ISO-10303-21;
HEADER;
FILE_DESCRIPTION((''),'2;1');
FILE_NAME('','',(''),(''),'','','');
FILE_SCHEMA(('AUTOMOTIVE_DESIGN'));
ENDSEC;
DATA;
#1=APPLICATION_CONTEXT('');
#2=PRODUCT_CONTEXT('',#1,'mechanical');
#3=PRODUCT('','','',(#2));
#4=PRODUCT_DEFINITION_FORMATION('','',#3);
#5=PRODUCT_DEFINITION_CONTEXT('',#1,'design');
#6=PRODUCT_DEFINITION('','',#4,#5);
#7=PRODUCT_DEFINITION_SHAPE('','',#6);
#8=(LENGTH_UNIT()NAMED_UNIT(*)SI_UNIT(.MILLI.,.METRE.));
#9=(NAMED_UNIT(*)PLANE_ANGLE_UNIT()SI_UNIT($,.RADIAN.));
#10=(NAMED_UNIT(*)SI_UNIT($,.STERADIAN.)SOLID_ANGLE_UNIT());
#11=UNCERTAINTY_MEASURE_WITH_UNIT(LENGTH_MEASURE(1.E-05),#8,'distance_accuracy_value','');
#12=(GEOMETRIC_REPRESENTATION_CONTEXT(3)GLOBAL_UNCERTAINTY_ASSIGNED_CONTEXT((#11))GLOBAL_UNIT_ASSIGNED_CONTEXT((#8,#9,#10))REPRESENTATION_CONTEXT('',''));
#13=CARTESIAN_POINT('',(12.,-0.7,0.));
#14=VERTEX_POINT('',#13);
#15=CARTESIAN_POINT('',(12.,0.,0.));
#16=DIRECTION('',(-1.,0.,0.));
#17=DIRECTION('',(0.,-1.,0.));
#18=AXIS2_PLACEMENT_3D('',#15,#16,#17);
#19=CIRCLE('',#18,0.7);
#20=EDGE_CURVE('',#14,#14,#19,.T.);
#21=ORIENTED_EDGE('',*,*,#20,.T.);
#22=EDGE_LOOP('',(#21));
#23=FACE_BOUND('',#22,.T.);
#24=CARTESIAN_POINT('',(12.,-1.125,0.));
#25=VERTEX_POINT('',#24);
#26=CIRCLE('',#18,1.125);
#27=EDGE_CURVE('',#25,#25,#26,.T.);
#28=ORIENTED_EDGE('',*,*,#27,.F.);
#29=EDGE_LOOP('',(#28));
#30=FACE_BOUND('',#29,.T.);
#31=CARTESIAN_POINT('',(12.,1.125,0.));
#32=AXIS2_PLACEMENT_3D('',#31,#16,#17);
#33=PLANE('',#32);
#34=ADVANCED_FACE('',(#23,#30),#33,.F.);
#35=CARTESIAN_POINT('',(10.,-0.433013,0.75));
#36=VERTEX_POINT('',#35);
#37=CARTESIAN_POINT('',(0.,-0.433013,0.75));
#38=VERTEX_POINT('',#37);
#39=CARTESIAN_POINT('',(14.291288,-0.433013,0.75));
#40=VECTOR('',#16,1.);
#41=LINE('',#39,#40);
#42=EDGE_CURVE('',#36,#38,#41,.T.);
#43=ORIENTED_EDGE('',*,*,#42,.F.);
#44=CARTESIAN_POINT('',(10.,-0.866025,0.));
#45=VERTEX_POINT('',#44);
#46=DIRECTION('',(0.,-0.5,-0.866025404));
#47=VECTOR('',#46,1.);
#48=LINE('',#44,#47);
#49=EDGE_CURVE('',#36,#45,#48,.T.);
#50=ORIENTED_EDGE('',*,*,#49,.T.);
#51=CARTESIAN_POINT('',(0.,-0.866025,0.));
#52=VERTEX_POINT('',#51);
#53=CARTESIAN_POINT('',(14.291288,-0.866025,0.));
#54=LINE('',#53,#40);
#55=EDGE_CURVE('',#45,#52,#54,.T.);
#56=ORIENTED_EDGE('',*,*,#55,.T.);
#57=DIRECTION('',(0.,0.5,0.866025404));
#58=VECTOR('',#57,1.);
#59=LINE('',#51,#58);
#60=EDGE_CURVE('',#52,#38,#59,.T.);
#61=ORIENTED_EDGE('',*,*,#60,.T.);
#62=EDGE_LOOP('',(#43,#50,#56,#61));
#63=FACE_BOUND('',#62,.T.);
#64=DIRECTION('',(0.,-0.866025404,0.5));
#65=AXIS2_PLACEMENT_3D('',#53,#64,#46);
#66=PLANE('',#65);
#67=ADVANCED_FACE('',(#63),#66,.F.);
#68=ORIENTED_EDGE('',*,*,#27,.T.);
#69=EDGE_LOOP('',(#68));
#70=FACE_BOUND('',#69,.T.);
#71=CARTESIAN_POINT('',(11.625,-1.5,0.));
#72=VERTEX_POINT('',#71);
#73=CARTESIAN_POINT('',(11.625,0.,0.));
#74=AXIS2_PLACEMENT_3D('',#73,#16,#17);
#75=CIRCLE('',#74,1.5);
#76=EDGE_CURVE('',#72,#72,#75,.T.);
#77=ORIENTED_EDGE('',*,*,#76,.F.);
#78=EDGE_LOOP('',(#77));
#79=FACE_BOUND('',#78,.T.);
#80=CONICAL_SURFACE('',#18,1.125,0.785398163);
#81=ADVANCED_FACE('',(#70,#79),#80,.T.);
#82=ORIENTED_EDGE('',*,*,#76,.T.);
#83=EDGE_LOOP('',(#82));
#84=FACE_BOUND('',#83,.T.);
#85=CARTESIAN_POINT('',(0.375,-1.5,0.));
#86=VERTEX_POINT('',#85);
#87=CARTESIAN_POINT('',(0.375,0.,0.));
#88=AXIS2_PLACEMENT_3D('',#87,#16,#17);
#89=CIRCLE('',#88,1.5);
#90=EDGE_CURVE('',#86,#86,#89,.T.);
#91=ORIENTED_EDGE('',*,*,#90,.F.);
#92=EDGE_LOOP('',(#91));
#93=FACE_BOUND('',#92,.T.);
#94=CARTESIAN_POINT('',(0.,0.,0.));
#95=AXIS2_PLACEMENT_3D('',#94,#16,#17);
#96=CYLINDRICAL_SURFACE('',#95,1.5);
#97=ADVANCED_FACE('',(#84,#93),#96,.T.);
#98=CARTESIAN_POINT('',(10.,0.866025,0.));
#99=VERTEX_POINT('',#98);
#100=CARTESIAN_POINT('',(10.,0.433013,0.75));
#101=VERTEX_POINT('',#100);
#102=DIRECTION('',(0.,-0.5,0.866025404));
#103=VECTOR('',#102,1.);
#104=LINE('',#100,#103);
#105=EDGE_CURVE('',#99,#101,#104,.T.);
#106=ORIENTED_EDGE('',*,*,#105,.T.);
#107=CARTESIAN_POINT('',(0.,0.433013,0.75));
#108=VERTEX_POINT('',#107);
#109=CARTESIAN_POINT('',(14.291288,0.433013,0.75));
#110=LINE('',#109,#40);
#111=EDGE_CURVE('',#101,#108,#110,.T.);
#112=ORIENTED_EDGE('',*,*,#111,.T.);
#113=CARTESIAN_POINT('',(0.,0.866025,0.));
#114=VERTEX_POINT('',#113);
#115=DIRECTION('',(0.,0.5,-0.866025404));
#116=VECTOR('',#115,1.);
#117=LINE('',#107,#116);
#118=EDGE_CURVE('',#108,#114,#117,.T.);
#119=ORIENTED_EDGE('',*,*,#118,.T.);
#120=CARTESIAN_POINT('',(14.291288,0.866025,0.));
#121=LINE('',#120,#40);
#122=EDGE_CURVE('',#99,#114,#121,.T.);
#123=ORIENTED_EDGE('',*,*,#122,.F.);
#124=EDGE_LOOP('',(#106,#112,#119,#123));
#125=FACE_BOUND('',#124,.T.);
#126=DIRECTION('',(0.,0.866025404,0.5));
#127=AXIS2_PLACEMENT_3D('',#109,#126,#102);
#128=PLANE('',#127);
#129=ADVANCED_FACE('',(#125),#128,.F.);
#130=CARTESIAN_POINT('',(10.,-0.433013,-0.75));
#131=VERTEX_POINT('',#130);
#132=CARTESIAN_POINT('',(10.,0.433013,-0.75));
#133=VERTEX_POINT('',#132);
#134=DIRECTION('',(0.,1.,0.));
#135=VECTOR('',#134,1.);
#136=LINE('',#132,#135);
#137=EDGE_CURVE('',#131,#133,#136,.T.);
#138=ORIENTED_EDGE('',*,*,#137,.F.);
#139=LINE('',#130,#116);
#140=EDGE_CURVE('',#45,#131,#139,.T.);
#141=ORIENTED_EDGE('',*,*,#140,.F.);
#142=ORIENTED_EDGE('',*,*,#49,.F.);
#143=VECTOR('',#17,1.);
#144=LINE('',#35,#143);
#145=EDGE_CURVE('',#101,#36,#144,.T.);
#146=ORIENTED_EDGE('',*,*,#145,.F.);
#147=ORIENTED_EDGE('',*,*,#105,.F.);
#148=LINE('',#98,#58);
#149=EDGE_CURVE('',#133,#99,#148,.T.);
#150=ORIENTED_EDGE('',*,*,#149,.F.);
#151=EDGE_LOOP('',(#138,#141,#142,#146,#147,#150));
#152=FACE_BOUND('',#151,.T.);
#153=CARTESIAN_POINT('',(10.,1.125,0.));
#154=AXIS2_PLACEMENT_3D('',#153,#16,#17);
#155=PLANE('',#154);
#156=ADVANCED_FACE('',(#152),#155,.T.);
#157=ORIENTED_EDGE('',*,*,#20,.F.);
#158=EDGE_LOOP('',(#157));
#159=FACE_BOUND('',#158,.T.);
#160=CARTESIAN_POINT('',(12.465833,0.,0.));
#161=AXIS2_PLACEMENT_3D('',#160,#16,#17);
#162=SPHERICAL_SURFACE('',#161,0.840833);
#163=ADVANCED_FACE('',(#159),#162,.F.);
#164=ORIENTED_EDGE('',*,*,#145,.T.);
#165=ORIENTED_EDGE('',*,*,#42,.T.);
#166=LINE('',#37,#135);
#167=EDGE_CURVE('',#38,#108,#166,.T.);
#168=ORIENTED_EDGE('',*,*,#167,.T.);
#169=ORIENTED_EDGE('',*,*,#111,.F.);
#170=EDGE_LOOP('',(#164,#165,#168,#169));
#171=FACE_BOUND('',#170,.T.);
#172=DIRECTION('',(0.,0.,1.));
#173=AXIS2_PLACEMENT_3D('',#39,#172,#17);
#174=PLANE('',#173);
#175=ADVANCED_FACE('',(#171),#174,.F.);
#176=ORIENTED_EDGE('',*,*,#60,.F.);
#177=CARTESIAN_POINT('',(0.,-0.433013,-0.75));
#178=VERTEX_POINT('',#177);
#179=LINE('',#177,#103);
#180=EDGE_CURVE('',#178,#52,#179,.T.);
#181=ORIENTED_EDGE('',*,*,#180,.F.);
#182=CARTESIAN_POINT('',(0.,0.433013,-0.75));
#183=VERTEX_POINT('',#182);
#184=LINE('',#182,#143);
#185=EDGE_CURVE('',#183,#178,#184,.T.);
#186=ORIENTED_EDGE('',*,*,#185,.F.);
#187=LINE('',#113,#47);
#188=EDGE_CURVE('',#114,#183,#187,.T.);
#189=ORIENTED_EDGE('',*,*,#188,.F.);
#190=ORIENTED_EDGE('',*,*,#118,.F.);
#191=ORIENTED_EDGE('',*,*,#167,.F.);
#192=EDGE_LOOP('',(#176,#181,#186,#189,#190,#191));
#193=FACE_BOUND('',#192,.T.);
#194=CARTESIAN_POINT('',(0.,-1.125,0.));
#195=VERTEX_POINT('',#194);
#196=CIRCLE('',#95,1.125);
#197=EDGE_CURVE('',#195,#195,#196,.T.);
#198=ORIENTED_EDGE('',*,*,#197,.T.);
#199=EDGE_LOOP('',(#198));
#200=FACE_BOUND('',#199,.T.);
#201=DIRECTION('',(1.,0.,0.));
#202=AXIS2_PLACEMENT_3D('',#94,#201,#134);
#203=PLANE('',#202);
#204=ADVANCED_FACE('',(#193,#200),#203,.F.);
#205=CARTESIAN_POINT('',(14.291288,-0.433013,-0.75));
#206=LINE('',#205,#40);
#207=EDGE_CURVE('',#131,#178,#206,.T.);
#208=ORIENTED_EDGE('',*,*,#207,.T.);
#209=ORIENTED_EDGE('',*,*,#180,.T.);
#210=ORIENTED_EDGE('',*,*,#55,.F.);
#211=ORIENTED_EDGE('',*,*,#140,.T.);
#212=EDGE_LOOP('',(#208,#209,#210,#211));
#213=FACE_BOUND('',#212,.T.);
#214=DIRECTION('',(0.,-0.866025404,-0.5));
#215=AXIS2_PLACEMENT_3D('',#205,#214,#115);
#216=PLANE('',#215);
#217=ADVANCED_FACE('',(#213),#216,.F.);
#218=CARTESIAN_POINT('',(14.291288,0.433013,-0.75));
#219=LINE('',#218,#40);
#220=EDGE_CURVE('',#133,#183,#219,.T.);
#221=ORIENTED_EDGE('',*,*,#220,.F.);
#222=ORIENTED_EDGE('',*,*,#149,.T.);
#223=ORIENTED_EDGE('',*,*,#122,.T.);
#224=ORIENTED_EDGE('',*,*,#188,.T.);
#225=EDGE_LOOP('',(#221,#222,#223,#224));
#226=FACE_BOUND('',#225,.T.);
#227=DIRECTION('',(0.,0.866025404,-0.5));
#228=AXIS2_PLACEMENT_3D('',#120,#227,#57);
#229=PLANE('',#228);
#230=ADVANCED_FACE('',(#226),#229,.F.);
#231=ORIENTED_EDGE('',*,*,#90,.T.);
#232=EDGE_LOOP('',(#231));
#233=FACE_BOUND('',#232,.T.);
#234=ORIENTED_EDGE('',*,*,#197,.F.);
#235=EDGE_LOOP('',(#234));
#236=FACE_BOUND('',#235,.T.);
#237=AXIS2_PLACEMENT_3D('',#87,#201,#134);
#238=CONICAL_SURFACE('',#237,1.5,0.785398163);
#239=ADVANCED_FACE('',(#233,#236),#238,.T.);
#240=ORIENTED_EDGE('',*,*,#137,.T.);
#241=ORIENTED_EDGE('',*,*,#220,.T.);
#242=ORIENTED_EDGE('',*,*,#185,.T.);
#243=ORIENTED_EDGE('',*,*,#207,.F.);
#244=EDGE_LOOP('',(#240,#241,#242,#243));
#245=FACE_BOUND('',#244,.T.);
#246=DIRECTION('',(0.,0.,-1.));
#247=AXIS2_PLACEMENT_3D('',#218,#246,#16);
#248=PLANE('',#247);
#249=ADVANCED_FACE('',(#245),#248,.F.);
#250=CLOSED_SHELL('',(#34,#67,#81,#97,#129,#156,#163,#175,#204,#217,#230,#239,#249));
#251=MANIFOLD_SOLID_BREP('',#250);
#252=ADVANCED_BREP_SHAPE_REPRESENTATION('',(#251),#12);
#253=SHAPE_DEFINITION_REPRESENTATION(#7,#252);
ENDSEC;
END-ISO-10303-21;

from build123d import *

# Parameters (mm, degrees)
CUT_EXTRUDE1_DEPTH = 10


with BuildPart() as part:
    # Sketch1 → Revolve1 (revolve)
    with BuildSketch(Plane.XY, mode=Mode.PRIVATE) as revolve1_sk:
        with BuildLine():
            Line((0, 0), (0, 1.125))
            Line((0, 1.125), (0.375, 1.5))
            Line((0.375, 1.5), (11.625, 1.5))
            Line((11.625, 1.5), (12, 1.125))
            Line((12, 1.125), (12, 0.7))
            ThreePointArc((12, 0.7), (11.724655592, 0.397059504), (11.625, 0))
            Line((11.625, 0), (0, 0))
        make_face()
    revolve(revolve1_sk.sketch.rotate(Axis((0, 0, 0), (1, 0, 0)), 180), axis=Axis((0, 0, 0), (1, 0, 0)))

    # Sketch2 → Cut-Extrude1 (cut)
    with BuildSketch(Plane.ZY):
        Polygon((0, 0.866025404), (-0.75, 0.433012702), (-0.75, -0.433012702), (0, -0.866025404), (0.75, -0.433012702), (0.75, 0.433012702), align=None)
    extrude(amount=-CUT_EXTRUDE1_DEPTH, mode=Mode.SUBTRACT)


solid = part.part
